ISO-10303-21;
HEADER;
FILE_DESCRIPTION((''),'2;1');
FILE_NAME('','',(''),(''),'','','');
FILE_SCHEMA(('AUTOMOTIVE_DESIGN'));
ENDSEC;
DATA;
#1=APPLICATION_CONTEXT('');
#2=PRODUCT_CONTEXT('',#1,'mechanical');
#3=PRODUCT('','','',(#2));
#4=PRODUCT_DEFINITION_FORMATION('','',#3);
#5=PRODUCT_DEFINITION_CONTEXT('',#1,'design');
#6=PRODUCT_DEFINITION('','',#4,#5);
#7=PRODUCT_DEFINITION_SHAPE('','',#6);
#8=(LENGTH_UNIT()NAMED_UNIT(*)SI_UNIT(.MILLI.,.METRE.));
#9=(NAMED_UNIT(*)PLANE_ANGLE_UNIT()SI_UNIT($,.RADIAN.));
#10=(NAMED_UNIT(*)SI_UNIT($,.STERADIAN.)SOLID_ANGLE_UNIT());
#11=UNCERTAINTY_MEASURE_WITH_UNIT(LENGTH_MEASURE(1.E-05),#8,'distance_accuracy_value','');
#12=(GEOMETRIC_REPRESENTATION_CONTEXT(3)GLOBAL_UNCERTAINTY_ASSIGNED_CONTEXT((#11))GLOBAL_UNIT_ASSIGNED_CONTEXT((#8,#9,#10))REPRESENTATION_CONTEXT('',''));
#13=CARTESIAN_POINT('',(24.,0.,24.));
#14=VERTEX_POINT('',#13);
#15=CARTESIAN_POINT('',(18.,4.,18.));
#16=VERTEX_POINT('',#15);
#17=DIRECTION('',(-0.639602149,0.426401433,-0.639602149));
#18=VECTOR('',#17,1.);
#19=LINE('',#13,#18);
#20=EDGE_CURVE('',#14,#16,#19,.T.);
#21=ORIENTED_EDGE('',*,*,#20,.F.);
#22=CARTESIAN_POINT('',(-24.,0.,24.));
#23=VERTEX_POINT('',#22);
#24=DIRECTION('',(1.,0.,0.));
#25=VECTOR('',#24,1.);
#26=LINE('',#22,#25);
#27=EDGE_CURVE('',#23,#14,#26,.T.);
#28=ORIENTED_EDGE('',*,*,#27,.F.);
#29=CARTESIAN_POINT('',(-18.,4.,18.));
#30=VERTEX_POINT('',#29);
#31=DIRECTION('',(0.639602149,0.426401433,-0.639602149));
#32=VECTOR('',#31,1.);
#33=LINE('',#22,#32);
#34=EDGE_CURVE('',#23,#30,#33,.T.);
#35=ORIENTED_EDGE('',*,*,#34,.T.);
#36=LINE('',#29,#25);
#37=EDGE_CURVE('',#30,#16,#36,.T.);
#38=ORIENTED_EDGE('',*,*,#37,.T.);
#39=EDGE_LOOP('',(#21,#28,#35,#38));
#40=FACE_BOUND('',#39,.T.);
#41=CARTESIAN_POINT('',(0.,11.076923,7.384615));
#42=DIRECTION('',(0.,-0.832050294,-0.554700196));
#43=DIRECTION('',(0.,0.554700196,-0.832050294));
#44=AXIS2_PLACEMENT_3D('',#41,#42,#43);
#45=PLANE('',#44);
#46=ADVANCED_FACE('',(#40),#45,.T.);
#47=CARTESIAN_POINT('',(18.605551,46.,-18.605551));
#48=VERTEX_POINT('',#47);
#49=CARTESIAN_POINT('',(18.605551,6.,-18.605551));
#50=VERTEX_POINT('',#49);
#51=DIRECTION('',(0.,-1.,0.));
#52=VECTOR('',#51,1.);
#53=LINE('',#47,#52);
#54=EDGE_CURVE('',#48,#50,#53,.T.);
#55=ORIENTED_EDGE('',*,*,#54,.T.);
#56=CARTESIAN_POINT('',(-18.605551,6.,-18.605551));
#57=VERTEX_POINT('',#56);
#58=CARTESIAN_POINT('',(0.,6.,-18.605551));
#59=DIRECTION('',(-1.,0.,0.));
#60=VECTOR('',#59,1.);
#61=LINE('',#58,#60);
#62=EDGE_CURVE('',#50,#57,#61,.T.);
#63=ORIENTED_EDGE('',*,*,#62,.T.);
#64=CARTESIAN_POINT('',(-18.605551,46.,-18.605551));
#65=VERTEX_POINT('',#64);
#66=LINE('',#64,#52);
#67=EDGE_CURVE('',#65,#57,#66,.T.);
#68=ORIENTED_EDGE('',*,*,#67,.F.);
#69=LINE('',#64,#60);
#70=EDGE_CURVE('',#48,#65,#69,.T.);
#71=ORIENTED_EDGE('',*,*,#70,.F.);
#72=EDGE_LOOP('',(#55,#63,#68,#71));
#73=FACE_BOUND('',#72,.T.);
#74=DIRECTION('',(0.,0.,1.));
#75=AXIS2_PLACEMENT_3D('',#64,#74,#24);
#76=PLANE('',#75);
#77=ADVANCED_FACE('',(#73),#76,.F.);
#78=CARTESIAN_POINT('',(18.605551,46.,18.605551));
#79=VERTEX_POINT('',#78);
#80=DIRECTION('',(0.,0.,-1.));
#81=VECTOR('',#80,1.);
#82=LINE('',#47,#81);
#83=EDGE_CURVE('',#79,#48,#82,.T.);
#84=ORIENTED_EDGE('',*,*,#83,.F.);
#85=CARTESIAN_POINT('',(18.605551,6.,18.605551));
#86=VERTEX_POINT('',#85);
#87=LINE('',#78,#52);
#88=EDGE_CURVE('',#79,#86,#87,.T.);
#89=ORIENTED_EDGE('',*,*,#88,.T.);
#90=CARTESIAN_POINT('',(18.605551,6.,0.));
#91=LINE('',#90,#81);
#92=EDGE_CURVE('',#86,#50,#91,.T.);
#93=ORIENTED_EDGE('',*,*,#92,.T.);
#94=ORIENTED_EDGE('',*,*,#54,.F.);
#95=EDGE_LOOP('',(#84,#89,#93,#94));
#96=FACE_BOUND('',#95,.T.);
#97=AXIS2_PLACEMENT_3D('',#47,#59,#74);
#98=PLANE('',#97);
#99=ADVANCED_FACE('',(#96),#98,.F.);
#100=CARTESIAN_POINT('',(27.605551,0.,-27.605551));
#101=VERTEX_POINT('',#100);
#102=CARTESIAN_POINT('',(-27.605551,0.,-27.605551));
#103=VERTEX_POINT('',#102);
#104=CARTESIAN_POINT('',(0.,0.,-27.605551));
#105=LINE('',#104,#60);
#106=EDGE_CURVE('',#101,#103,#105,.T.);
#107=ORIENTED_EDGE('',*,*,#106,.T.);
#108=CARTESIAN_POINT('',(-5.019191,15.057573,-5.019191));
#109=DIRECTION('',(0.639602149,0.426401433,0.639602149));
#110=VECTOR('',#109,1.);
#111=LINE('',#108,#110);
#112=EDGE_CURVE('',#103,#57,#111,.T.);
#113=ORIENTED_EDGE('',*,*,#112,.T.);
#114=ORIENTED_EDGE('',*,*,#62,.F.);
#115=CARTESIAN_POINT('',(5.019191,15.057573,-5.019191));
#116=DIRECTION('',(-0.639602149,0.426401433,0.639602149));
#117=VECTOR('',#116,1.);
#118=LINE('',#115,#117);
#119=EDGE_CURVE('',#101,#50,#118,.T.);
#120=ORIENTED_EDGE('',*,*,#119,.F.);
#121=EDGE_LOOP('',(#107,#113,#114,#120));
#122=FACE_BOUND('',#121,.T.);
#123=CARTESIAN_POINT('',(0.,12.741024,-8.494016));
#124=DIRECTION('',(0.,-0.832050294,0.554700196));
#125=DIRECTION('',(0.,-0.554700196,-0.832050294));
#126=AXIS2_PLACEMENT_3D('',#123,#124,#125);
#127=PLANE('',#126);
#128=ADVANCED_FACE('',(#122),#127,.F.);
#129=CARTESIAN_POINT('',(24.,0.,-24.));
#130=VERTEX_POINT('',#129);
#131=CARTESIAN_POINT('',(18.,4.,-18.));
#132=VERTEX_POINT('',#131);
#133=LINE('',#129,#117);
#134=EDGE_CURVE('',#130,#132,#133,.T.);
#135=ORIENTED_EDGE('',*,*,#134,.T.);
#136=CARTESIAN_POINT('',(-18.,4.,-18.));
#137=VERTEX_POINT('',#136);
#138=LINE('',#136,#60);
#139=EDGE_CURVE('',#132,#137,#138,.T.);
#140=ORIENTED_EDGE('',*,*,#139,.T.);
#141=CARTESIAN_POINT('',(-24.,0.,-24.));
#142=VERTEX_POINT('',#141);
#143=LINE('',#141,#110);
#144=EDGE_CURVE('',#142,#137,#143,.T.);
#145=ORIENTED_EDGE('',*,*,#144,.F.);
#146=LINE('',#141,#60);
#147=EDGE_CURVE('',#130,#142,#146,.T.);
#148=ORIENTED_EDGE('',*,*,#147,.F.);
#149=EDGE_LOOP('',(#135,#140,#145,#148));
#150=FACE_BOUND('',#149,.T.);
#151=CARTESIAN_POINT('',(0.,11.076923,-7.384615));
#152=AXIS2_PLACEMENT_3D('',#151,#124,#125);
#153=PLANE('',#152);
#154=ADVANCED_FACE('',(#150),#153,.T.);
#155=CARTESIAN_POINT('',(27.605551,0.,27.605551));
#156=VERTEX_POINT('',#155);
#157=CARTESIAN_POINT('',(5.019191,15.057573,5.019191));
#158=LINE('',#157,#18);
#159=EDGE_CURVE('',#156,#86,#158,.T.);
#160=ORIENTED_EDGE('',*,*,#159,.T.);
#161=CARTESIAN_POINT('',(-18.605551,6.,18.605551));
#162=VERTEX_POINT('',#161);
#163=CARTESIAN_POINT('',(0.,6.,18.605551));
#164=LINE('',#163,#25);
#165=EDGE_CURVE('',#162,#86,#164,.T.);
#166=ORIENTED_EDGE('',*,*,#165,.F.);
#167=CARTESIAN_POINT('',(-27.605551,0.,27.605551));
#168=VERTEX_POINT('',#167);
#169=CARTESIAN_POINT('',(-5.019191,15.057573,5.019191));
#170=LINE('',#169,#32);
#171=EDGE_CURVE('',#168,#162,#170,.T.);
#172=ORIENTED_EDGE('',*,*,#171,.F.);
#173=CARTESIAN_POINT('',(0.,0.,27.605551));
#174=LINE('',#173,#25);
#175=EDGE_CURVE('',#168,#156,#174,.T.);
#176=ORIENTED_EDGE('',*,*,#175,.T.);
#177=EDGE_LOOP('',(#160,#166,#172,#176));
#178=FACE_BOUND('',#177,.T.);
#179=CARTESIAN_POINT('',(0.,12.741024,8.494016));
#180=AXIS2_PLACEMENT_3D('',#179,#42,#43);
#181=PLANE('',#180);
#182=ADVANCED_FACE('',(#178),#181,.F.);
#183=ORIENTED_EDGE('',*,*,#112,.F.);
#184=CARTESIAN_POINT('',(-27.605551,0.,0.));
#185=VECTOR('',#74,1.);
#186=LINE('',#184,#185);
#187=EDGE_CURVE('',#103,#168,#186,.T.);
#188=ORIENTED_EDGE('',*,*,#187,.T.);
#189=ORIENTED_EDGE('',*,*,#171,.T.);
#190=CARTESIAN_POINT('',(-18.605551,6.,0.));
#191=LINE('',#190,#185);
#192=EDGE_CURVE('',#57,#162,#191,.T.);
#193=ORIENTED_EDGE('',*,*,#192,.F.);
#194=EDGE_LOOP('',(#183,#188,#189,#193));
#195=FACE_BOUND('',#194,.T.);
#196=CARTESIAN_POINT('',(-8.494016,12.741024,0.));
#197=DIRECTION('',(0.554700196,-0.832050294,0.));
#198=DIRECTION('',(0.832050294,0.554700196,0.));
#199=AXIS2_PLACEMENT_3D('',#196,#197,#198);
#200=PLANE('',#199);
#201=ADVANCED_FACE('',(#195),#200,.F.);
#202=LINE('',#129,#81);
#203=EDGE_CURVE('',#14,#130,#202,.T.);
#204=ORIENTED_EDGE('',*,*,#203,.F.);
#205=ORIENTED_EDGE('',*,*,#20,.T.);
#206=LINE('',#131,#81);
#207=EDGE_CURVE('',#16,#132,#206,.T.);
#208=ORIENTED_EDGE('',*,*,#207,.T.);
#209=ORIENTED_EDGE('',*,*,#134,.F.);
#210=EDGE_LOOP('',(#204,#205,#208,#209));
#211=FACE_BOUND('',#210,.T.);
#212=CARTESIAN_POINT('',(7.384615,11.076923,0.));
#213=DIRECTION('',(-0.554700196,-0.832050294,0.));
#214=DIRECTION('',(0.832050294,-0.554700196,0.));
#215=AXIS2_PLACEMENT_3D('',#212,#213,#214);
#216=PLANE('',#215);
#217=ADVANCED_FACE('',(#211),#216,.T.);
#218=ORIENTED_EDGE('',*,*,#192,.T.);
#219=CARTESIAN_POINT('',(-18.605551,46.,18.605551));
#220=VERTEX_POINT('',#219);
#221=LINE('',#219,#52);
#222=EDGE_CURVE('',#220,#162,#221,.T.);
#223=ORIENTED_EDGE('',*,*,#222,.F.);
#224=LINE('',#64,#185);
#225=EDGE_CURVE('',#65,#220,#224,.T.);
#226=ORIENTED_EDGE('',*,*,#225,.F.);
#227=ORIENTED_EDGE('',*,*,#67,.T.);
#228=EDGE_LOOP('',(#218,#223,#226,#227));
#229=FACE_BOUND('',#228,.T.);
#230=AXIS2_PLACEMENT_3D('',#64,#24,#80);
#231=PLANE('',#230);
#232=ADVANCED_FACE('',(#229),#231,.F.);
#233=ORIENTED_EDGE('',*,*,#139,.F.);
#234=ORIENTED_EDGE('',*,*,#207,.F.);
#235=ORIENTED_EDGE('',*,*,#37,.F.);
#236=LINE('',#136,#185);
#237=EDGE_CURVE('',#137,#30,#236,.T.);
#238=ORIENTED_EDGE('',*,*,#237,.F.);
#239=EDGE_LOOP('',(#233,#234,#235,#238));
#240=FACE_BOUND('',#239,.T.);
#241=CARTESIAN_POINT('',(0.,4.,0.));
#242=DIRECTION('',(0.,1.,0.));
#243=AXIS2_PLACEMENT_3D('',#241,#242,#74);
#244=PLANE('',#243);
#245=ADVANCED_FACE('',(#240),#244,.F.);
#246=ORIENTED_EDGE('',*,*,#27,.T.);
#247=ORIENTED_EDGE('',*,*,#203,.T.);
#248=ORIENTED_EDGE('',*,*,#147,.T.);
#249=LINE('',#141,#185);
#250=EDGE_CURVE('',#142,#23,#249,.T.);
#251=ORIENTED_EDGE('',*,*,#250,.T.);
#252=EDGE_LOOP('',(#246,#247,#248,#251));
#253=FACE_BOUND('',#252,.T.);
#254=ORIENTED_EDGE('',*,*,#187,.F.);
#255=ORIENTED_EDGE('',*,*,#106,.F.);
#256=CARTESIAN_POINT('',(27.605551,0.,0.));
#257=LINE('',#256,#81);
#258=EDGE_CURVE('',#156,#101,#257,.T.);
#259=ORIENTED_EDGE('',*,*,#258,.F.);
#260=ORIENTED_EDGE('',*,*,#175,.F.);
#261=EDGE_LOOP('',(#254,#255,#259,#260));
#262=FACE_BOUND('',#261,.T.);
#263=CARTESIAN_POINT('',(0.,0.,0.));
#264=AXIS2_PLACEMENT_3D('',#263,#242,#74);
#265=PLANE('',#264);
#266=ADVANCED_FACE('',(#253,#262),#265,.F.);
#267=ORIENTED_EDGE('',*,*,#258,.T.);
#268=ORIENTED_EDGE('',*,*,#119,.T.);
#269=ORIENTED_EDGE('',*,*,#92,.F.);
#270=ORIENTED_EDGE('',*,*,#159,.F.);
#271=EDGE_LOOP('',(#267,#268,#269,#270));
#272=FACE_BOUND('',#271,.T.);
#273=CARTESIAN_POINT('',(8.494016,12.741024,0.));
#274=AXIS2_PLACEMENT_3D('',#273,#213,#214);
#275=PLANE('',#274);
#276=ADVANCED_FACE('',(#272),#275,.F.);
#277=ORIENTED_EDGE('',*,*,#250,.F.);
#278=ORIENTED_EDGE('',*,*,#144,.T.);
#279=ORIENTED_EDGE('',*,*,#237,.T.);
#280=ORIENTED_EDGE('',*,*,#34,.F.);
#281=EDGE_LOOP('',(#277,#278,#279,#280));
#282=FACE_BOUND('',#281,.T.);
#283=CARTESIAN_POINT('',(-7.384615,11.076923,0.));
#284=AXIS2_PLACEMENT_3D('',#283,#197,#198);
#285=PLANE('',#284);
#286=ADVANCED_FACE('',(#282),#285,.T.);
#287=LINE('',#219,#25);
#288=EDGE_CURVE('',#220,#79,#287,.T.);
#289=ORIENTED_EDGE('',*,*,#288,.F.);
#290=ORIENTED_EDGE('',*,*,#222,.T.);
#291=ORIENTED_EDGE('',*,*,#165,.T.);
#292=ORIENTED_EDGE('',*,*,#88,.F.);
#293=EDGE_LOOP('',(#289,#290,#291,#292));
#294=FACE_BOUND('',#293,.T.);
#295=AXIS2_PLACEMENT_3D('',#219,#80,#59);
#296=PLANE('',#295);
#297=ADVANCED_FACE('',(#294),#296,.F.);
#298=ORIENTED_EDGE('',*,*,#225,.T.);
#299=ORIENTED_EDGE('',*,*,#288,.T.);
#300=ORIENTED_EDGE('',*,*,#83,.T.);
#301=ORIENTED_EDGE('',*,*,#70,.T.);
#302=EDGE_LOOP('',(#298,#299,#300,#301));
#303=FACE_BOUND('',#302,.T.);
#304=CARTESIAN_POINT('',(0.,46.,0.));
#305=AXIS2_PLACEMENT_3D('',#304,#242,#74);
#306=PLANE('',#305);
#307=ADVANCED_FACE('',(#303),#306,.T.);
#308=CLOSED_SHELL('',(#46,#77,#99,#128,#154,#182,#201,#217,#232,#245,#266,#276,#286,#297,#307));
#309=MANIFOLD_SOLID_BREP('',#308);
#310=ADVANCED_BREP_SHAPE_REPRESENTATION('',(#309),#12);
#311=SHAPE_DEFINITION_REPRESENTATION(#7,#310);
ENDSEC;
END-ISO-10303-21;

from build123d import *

# Parameters (mm, degrees)
SHELL4_T            = 2
SKETCH8_W           = 37.21110255
SKETCH8_H           = 37.21110255
BOSS_EXTRUDE1_DEPTH = 40


with BuildPart() as part:
    # Sketch1 → Loft1 section 0
    with BuildSketch(Plane(origin=(0, 0, 0), x_dir=(1, 0, 0), z_dir=(0, 1, 0))):
        with BuildLine():
            Line((-24, 24), (24, 24))
            Line((24, 24), (24, -24))
            Line((24, -24), (-24, -24))
            Line((-24, -24), (-24, 24))
        make_face()
    # Sketch2 → Loft1 section 1
    with BuildSketch(Plane(origin=(0, 4, 0), x_dir=(1, 0, 0), z_dir=(0, 1, 0))):
        with BuildLine():
            Line((-18, 18), (18, 18))
            Line((18, 18), (18, -18))
            Line((18, -18), (-18, -18))
            Line((-18, -18), (-18, 18))
        make_face()
    loft()

    # Shell4
    shell4_openings = [part.faces().sort_by_distance(p)[0] for p in [
        (0, 0, 0),
    ]]
    offset(amount=SHELL4_T, openings=shell4_openings, kind=Kind.INTERSECTION)

    # Sketch8 → Boss-Extrude1 (add)
    with BuildSketch(Plane(origin=(0, 6, 0), x_dir=(1, 0, 0), z_dir=(0, 1, 0))):
        Rectangle(SKETCH8_W, SKETCH8_H)
    extrude(amount=BOSS_EXTRUDE1_DEPTH)


solid = part.part
